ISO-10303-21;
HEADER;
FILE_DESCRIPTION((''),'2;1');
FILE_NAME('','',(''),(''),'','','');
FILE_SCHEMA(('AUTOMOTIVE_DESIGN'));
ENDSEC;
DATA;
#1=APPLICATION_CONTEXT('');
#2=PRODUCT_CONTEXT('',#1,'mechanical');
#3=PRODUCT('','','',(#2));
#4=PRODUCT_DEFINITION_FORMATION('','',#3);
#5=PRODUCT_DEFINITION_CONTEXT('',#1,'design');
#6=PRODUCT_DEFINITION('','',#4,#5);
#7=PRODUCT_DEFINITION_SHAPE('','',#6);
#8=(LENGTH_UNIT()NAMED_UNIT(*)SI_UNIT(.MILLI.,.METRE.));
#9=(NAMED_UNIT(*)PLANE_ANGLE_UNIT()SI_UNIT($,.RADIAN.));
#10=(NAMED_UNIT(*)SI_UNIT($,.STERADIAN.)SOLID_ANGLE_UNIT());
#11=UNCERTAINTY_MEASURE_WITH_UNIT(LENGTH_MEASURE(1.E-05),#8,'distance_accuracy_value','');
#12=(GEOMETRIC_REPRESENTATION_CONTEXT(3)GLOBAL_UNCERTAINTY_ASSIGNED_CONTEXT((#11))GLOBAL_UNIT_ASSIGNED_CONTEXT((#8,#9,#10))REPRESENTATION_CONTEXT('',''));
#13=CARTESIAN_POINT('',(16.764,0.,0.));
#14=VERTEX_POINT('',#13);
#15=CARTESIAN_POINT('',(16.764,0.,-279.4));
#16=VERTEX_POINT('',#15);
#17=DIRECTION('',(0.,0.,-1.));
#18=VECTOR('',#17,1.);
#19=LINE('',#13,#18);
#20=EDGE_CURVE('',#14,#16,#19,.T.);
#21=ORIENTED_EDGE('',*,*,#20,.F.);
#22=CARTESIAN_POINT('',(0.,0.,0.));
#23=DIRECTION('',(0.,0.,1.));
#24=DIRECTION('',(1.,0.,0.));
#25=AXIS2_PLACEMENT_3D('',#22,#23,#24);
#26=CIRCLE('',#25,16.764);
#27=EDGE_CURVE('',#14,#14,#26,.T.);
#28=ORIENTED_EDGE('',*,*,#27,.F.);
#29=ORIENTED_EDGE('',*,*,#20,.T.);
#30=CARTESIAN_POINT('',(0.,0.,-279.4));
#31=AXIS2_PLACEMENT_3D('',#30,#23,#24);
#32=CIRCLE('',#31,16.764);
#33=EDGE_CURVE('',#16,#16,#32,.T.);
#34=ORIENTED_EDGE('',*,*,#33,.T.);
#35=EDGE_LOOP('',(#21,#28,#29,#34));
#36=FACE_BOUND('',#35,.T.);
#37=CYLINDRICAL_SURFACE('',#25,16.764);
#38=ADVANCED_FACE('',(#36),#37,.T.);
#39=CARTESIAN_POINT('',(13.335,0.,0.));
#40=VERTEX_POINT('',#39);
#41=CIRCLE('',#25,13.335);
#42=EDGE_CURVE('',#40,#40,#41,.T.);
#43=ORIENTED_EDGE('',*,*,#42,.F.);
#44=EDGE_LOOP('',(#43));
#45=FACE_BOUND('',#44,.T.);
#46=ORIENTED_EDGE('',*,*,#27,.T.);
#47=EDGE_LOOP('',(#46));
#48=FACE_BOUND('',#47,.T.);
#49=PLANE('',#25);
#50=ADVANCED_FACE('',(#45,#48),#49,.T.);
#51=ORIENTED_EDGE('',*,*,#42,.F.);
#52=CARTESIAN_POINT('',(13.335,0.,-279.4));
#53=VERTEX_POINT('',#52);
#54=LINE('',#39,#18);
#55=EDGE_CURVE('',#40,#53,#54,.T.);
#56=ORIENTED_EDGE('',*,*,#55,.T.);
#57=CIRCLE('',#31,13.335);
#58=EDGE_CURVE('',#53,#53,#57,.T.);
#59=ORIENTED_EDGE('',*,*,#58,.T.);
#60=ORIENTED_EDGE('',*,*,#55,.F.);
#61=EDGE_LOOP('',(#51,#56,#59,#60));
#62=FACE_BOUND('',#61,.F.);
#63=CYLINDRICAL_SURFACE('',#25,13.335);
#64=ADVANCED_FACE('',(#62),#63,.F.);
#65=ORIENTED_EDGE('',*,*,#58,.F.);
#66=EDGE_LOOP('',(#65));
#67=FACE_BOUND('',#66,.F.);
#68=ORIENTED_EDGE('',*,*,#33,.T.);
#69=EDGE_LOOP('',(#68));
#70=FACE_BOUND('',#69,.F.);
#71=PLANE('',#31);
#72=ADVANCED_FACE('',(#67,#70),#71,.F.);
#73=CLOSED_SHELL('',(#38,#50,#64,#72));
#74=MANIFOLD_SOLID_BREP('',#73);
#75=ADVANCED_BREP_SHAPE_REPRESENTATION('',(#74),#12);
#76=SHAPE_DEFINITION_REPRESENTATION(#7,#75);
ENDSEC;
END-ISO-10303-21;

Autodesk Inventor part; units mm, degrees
ref_plane "YZ Plane" through (0, 0, 0) normal (1, 0, 0) x (0, 1, 0)
ref_plane "XZ Plane" through (0, 0, 0) normal (0, 1, 0) x (-1, 0, 0)
ref_plane "XY Plane" through (0, 0, 0) normal (0, 0, 1) x (1, 0, 0)
sketch "Sketch1" plane through (0, 0, 0) normal (0, 0, 1) x (1, 0, 0)
  circle A0 centre (0, 0) radius 16.764
  circle A1 centre (0, 0) radius 13.335
  dimension "d0" = 33.528
  dimension "d2" = 26.67
extrude "Extrusion1" add sketch "Sketch1" against normal blind 279.4
properties part number "GE-13021-02" material "Steel"
